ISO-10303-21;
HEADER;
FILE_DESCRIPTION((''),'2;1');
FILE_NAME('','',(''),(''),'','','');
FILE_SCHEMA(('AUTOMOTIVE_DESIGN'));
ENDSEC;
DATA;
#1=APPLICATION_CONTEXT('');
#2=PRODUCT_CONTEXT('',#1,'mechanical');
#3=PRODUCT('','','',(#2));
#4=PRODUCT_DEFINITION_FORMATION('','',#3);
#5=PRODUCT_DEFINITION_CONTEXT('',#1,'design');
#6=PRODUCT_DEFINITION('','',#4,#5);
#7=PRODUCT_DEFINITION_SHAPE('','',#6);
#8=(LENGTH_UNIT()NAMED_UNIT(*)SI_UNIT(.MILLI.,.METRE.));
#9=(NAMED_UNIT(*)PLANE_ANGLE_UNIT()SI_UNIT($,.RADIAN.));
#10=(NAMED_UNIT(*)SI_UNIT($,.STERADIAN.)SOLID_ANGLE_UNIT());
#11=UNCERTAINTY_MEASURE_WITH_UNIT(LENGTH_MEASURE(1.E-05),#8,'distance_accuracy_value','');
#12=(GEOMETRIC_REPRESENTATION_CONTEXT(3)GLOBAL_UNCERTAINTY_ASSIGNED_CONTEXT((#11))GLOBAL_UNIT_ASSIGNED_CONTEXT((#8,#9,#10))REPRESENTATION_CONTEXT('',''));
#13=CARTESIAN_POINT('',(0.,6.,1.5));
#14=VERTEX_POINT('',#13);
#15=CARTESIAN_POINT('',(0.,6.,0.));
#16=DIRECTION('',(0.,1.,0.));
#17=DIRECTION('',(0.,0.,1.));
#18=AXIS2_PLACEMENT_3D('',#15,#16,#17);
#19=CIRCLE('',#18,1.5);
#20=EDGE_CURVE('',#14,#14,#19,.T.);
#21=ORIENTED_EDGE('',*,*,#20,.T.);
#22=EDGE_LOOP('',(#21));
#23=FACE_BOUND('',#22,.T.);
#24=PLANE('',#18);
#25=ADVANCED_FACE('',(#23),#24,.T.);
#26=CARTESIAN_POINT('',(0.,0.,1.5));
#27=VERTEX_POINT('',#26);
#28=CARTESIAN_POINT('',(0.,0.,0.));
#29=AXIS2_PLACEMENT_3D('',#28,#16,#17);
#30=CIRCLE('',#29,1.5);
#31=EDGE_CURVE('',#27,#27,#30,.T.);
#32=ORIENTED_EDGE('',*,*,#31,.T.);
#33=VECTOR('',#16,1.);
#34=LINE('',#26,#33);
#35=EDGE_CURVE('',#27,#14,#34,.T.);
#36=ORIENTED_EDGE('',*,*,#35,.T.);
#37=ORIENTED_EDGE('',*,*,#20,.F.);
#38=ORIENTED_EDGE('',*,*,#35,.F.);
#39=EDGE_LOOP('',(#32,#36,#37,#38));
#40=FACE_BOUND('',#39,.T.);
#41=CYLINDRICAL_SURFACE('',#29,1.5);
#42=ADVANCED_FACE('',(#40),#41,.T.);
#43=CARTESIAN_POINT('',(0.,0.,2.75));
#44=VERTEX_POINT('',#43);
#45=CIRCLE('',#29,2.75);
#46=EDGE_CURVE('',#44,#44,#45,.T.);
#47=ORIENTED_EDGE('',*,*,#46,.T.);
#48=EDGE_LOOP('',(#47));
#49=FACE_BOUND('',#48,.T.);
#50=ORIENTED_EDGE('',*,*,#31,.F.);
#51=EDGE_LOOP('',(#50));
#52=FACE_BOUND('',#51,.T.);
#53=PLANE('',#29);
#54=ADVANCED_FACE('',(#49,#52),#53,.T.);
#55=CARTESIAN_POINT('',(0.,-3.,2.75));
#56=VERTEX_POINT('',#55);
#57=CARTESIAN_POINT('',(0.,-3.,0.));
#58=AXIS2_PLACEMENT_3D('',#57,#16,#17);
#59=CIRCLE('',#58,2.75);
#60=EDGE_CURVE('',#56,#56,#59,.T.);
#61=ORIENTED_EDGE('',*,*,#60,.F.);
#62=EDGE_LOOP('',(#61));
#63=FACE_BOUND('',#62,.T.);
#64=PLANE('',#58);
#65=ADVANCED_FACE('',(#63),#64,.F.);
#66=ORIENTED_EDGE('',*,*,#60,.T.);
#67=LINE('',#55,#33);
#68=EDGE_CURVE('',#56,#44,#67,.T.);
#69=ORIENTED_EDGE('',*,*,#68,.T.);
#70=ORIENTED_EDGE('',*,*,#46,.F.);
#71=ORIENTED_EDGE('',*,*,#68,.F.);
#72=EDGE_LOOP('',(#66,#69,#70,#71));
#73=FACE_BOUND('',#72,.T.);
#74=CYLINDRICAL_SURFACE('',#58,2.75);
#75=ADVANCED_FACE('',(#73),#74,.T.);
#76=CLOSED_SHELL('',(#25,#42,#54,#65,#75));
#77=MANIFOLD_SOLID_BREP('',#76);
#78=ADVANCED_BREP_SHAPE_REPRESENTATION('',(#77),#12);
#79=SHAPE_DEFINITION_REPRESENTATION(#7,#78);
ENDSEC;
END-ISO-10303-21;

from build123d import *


with BuildPart() as part:
    # Sketch → Revolution (revolve)
    with BuildSketch(Plane.YZ):
        Polygon((-3, 0), (-3, 2.75), (0, 2.75), (0, 1.5), (6, 1.5), (6, 0), align=None)
    revolve(axis=Axis((0, 0, 0), (0, 1, 0)))


solid = part.part
